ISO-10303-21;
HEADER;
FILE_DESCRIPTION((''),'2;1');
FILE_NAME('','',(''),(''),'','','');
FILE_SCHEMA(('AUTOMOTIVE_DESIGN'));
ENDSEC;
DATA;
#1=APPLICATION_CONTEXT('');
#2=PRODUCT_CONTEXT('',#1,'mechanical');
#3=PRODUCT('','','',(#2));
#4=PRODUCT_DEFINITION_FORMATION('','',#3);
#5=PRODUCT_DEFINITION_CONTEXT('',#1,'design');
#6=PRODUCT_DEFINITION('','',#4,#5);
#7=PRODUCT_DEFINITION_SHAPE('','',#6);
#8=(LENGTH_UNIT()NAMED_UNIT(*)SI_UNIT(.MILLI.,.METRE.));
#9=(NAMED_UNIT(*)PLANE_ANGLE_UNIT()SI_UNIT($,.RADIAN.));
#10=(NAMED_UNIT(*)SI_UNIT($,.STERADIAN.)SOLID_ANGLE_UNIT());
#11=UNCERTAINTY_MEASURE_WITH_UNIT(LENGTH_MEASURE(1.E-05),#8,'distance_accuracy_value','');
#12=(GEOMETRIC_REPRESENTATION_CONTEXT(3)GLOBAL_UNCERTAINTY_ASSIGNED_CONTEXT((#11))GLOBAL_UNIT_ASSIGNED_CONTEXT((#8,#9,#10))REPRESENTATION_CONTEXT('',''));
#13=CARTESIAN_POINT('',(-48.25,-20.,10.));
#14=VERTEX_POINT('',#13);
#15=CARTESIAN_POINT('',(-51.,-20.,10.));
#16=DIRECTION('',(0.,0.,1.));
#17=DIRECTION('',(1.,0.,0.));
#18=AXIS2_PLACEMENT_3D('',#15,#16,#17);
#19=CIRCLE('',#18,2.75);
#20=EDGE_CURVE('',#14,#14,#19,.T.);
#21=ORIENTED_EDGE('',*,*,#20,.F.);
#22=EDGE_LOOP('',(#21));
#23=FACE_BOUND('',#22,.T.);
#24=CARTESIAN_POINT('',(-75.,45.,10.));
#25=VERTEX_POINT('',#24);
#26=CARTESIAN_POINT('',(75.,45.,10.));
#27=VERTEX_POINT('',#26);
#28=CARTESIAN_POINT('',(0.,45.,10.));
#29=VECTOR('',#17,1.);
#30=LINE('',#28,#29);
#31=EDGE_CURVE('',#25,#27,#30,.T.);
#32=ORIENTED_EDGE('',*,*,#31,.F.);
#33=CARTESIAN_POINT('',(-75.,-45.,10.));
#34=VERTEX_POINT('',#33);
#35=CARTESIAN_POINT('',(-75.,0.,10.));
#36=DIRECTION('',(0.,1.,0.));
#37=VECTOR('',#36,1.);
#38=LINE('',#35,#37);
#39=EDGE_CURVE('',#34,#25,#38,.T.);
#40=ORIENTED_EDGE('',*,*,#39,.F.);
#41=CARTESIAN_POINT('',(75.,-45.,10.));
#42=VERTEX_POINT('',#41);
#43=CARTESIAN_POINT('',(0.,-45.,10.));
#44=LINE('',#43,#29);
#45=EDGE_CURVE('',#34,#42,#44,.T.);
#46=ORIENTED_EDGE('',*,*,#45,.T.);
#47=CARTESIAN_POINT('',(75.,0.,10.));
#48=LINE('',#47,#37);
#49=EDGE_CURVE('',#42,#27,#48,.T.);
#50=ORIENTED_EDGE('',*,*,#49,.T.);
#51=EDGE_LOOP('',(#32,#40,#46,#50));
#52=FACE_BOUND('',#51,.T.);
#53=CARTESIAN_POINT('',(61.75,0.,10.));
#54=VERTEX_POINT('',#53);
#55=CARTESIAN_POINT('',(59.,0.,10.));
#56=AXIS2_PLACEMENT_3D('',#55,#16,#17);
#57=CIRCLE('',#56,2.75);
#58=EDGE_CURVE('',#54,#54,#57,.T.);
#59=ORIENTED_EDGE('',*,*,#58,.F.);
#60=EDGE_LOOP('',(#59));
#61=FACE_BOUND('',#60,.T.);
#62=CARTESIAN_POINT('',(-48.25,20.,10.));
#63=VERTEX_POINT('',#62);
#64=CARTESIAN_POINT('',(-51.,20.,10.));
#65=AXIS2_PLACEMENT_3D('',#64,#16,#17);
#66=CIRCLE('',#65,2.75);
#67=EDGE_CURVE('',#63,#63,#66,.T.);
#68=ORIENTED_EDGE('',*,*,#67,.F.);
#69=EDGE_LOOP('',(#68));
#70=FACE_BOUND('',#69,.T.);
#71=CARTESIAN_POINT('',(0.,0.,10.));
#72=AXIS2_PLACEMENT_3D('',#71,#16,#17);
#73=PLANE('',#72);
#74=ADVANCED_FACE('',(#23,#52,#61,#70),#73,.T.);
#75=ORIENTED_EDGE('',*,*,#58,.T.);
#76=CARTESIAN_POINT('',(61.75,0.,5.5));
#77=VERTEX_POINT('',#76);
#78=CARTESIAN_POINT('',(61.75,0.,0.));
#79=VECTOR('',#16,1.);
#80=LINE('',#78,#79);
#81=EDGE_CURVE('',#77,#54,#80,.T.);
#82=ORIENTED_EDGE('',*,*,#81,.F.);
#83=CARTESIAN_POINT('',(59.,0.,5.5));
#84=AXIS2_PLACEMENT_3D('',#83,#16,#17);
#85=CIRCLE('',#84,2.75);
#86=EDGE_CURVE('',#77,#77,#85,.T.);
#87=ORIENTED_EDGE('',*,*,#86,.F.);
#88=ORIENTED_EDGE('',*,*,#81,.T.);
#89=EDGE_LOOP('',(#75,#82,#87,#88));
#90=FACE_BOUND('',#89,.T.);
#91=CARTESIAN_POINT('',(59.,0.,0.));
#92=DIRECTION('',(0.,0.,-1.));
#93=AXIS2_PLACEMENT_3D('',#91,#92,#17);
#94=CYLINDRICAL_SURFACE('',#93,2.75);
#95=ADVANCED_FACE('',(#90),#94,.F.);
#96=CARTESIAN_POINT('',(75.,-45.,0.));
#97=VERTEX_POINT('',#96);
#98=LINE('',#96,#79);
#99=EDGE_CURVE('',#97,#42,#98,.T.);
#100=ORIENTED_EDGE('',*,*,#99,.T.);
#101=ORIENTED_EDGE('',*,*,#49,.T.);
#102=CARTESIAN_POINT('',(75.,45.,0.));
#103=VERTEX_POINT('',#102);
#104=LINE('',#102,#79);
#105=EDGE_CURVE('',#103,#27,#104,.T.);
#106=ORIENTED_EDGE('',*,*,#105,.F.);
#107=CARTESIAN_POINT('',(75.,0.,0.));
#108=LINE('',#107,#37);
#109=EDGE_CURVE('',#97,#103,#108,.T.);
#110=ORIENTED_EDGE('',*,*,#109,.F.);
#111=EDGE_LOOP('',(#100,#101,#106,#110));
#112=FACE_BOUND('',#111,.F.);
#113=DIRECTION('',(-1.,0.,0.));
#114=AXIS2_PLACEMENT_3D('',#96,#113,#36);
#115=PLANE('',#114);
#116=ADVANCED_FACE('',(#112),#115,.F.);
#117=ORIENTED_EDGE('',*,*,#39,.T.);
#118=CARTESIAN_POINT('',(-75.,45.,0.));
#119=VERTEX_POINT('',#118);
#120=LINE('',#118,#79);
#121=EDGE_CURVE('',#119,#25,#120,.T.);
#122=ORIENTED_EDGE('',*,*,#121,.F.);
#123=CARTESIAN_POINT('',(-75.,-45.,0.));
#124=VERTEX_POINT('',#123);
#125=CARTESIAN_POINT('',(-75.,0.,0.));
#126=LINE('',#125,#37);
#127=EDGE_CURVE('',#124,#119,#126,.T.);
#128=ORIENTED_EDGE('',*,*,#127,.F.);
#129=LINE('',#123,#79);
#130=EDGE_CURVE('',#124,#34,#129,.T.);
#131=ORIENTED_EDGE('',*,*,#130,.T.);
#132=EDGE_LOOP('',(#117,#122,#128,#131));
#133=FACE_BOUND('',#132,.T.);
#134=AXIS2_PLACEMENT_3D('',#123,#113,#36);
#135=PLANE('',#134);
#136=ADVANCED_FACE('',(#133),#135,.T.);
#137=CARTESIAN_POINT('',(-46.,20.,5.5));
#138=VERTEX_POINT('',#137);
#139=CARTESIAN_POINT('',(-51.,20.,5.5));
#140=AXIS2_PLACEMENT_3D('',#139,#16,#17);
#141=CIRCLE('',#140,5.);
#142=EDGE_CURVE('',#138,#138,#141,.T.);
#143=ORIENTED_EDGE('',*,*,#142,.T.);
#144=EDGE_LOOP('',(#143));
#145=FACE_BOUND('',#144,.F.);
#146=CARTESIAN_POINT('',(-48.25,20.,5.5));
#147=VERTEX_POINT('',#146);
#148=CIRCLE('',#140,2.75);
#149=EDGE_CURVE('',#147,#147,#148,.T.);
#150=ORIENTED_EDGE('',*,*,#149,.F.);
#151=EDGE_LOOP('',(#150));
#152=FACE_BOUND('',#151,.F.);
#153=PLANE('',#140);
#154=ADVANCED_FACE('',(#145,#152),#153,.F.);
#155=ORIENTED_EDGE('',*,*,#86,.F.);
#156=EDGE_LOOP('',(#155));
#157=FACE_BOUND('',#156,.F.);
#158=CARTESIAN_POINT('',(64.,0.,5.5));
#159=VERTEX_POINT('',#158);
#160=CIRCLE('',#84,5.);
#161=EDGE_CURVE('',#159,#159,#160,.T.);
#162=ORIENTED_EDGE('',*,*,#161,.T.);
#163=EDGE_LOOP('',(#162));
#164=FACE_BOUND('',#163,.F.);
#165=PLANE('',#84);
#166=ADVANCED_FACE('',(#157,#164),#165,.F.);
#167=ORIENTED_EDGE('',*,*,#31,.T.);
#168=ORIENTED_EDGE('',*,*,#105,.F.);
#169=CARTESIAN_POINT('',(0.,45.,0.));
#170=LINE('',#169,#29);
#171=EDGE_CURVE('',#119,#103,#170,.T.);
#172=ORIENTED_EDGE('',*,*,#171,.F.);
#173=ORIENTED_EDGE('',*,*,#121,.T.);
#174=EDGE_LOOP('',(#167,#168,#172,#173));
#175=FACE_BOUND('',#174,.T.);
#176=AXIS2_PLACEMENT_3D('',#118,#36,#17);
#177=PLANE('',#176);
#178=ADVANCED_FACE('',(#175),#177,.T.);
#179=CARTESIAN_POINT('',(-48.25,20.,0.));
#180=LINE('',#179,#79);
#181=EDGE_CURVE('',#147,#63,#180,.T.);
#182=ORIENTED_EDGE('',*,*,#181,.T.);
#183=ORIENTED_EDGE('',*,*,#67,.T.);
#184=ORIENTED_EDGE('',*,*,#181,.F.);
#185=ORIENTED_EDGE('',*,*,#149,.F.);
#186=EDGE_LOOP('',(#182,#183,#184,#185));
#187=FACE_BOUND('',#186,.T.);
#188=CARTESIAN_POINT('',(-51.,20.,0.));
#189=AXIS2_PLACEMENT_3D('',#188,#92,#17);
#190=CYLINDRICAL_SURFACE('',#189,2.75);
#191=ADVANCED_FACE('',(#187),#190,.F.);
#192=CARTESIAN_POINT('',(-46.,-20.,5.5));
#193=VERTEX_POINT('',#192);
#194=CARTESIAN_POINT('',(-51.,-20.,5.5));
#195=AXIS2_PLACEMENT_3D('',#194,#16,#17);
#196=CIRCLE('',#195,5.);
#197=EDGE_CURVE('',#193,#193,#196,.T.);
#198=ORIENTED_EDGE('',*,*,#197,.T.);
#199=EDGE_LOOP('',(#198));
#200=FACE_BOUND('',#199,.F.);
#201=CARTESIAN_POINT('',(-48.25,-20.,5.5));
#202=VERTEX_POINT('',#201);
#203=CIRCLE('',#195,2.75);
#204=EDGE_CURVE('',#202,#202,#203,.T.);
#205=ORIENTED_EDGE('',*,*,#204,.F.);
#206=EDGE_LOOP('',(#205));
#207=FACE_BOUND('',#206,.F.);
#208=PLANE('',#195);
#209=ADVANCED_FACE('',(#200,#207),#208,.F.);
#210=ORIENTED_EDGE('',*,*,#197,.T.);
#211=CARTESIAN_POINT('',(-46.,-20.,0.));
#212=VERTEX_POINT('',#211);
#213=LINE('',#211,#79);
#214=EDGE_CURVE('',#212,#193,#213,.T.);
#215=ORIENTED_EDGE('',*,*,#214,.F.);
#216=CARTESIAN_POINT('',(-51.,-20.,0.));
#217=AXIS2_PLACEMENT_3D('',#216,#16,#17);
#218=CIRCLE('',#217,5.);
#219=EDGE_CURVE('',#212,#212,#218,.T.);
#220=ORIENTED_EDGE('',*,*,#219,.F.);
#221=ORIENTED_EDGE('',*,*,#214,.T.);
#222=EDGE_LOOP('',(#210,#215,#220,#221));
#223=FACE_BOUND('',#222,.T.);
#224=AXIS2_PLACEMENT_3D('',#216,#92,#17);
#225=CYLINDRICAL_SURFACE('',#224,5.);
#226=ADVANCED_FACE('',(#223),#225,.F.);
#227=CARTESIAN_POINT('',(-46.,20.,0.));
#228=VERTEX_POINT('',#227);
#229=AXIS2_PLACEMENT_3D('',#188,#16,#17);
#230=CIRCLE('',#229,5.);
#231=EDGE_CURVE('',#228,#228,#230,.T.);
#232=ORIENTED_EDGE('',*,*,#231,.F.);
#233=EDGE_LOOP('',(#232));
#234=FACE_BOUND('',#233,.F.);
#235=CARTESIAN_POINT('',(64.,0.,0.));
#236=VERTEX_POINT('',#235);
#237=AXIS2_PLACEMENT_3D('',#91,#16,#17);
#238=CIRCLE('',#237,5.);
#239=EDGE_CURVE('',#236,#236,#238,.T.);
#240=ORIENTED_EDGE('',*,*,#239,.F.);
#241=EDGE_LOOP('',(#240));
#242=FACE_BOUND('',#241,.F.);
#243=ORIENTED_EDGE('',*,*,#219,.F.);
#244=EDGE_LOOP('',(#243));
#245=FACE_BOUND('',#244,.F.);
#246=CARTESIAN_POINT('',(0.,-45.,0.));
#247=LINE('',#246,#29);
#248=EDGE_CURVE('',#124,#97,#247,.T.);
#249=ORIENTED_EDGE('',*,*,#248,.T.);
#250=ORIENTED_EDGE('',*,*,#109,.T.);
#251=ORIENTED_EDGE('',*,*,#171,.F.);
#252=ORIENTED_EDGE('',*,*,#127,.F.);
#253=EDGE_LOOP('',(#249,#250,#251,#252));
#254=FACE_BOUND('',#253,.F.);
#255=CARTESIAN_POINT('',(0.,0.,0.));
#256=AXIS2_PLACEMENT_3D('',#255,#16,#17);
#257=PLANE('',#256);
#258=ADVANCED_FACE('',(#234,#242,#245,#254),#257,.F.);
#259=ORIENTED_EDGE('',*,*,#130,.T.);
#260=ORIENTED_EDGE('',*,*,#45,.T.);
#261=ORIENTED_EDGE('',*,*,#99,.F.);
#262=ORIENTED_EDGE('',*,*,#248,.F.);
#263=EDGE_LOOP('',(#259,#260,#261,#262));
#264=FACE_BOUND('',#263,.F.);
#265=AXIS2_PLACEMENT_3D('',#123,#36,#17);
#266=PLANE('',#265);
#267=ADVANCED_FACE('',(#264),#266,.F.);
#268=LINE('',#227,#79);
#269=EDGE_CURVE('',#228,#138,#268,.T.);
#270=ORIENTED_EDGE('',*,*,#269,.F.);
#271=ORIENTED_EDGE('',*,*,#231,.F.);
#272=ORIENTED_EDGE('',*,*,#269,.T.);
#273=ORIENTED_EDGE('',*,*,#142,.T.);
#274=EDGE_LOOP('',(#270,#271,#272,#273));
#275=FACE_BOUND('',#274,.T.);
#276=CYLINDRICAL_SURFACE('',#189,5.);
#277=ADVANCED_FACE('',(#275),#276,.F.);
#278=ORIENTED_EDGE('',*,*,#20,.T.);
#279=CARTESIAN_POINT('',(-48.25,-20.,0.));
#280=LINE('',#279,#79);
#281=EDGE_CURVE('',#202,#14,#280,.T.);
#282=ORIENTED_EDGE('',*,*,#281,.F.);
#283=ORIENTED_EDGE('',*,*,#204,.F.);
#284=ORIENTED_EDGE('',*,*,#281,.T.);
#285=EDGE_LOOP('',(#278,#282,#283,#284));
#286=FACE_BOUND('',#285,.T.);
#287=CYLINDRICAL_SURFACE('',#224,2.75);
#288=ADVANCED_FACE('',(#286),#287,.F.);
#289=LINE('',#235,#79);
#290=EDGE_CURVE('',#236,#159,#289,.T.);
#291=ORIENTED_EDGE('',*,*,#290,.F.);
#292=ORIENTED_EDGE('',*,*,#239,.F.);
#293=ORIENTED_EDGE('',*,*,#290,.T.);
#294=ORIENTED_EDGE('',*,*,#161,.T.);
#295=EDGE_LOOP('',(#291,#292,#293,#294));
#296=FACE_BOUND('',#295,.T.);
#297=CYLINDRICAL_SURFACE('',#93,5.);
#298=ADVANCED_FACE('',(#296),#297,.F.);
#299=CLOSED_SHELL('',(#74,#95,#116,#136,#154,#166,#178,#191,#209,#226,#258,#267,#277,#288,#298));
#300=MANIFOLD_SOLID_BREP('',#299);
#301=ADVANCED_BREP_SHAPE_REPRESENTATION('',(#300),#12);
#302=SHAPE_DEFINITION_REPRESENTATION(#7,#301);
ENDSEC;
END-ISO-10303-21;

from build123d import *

# Parameters (mm, degrees)
F0_W     = 150
F0_H     = 90
F0_R     = 5
F0_R_2   = 2.75
F1_DEPTH = 10
F2_DEPTH = 5.5


with BuildPart() as f1:
    # F0 (on Top) → F1 (new body)
    with BuildSketch(Plane.XY):
        Rectangle(F0_W, F0_H)
        with Locations((-51, -20)):
            Circle(F0_R, mode=Mode.SUBTRACT)
        with Locations((-51, 20)):
            Circle(F0_R, mode=Mode.SUBTRACT)
        with Locations((59, 0)):
            Circle(F0_R, mode=Mode.SUBTRACT)
        with Locations((-51, 20)):
            Circle(F0_R)
        with Locations((-51, 20)):
            Circle(F0_R_2, mode=Mode.SUBTRACT)
        with Locations((-51, -20)):
            Circle(F0_R)
        with Locations((-51, -20)):
            Circle(F0_R_2, mode=Mode.SUBTRACT)
        with Locations((59, 0)):
            Circle(F0_R)
        with Locations((59, 0)):
            Circle(F0_R_2, mode=Mode.SUBTRACT)
    extrude(amount=F1_DEPTH)

    # F0 (on Top) → F2 (cut)
    with BuildSketch(Plane.XY):
        with Locations((-51, -20)):
            Circle(F0_R)
        with Locations((-51, -20)):
            Circle(F0_R_2, mode=Mode.SUBTRACT)
        with Locations((-51, 20)):
            Circle(F0_R)
        with Locations((-51, 20)):
            Circle(F0_R_2, mode=Mode.SUBTRACT)
        with Locations((59, 0)):
            Circle(F0_R)
        with Locations((59, 0)):
            Circle(F0_R_2, mode=Mode.SUBTRACT)
    extrude(amount=F2_DEPTH, mode=Mode.SUBTRACT)


solid = f1.part
